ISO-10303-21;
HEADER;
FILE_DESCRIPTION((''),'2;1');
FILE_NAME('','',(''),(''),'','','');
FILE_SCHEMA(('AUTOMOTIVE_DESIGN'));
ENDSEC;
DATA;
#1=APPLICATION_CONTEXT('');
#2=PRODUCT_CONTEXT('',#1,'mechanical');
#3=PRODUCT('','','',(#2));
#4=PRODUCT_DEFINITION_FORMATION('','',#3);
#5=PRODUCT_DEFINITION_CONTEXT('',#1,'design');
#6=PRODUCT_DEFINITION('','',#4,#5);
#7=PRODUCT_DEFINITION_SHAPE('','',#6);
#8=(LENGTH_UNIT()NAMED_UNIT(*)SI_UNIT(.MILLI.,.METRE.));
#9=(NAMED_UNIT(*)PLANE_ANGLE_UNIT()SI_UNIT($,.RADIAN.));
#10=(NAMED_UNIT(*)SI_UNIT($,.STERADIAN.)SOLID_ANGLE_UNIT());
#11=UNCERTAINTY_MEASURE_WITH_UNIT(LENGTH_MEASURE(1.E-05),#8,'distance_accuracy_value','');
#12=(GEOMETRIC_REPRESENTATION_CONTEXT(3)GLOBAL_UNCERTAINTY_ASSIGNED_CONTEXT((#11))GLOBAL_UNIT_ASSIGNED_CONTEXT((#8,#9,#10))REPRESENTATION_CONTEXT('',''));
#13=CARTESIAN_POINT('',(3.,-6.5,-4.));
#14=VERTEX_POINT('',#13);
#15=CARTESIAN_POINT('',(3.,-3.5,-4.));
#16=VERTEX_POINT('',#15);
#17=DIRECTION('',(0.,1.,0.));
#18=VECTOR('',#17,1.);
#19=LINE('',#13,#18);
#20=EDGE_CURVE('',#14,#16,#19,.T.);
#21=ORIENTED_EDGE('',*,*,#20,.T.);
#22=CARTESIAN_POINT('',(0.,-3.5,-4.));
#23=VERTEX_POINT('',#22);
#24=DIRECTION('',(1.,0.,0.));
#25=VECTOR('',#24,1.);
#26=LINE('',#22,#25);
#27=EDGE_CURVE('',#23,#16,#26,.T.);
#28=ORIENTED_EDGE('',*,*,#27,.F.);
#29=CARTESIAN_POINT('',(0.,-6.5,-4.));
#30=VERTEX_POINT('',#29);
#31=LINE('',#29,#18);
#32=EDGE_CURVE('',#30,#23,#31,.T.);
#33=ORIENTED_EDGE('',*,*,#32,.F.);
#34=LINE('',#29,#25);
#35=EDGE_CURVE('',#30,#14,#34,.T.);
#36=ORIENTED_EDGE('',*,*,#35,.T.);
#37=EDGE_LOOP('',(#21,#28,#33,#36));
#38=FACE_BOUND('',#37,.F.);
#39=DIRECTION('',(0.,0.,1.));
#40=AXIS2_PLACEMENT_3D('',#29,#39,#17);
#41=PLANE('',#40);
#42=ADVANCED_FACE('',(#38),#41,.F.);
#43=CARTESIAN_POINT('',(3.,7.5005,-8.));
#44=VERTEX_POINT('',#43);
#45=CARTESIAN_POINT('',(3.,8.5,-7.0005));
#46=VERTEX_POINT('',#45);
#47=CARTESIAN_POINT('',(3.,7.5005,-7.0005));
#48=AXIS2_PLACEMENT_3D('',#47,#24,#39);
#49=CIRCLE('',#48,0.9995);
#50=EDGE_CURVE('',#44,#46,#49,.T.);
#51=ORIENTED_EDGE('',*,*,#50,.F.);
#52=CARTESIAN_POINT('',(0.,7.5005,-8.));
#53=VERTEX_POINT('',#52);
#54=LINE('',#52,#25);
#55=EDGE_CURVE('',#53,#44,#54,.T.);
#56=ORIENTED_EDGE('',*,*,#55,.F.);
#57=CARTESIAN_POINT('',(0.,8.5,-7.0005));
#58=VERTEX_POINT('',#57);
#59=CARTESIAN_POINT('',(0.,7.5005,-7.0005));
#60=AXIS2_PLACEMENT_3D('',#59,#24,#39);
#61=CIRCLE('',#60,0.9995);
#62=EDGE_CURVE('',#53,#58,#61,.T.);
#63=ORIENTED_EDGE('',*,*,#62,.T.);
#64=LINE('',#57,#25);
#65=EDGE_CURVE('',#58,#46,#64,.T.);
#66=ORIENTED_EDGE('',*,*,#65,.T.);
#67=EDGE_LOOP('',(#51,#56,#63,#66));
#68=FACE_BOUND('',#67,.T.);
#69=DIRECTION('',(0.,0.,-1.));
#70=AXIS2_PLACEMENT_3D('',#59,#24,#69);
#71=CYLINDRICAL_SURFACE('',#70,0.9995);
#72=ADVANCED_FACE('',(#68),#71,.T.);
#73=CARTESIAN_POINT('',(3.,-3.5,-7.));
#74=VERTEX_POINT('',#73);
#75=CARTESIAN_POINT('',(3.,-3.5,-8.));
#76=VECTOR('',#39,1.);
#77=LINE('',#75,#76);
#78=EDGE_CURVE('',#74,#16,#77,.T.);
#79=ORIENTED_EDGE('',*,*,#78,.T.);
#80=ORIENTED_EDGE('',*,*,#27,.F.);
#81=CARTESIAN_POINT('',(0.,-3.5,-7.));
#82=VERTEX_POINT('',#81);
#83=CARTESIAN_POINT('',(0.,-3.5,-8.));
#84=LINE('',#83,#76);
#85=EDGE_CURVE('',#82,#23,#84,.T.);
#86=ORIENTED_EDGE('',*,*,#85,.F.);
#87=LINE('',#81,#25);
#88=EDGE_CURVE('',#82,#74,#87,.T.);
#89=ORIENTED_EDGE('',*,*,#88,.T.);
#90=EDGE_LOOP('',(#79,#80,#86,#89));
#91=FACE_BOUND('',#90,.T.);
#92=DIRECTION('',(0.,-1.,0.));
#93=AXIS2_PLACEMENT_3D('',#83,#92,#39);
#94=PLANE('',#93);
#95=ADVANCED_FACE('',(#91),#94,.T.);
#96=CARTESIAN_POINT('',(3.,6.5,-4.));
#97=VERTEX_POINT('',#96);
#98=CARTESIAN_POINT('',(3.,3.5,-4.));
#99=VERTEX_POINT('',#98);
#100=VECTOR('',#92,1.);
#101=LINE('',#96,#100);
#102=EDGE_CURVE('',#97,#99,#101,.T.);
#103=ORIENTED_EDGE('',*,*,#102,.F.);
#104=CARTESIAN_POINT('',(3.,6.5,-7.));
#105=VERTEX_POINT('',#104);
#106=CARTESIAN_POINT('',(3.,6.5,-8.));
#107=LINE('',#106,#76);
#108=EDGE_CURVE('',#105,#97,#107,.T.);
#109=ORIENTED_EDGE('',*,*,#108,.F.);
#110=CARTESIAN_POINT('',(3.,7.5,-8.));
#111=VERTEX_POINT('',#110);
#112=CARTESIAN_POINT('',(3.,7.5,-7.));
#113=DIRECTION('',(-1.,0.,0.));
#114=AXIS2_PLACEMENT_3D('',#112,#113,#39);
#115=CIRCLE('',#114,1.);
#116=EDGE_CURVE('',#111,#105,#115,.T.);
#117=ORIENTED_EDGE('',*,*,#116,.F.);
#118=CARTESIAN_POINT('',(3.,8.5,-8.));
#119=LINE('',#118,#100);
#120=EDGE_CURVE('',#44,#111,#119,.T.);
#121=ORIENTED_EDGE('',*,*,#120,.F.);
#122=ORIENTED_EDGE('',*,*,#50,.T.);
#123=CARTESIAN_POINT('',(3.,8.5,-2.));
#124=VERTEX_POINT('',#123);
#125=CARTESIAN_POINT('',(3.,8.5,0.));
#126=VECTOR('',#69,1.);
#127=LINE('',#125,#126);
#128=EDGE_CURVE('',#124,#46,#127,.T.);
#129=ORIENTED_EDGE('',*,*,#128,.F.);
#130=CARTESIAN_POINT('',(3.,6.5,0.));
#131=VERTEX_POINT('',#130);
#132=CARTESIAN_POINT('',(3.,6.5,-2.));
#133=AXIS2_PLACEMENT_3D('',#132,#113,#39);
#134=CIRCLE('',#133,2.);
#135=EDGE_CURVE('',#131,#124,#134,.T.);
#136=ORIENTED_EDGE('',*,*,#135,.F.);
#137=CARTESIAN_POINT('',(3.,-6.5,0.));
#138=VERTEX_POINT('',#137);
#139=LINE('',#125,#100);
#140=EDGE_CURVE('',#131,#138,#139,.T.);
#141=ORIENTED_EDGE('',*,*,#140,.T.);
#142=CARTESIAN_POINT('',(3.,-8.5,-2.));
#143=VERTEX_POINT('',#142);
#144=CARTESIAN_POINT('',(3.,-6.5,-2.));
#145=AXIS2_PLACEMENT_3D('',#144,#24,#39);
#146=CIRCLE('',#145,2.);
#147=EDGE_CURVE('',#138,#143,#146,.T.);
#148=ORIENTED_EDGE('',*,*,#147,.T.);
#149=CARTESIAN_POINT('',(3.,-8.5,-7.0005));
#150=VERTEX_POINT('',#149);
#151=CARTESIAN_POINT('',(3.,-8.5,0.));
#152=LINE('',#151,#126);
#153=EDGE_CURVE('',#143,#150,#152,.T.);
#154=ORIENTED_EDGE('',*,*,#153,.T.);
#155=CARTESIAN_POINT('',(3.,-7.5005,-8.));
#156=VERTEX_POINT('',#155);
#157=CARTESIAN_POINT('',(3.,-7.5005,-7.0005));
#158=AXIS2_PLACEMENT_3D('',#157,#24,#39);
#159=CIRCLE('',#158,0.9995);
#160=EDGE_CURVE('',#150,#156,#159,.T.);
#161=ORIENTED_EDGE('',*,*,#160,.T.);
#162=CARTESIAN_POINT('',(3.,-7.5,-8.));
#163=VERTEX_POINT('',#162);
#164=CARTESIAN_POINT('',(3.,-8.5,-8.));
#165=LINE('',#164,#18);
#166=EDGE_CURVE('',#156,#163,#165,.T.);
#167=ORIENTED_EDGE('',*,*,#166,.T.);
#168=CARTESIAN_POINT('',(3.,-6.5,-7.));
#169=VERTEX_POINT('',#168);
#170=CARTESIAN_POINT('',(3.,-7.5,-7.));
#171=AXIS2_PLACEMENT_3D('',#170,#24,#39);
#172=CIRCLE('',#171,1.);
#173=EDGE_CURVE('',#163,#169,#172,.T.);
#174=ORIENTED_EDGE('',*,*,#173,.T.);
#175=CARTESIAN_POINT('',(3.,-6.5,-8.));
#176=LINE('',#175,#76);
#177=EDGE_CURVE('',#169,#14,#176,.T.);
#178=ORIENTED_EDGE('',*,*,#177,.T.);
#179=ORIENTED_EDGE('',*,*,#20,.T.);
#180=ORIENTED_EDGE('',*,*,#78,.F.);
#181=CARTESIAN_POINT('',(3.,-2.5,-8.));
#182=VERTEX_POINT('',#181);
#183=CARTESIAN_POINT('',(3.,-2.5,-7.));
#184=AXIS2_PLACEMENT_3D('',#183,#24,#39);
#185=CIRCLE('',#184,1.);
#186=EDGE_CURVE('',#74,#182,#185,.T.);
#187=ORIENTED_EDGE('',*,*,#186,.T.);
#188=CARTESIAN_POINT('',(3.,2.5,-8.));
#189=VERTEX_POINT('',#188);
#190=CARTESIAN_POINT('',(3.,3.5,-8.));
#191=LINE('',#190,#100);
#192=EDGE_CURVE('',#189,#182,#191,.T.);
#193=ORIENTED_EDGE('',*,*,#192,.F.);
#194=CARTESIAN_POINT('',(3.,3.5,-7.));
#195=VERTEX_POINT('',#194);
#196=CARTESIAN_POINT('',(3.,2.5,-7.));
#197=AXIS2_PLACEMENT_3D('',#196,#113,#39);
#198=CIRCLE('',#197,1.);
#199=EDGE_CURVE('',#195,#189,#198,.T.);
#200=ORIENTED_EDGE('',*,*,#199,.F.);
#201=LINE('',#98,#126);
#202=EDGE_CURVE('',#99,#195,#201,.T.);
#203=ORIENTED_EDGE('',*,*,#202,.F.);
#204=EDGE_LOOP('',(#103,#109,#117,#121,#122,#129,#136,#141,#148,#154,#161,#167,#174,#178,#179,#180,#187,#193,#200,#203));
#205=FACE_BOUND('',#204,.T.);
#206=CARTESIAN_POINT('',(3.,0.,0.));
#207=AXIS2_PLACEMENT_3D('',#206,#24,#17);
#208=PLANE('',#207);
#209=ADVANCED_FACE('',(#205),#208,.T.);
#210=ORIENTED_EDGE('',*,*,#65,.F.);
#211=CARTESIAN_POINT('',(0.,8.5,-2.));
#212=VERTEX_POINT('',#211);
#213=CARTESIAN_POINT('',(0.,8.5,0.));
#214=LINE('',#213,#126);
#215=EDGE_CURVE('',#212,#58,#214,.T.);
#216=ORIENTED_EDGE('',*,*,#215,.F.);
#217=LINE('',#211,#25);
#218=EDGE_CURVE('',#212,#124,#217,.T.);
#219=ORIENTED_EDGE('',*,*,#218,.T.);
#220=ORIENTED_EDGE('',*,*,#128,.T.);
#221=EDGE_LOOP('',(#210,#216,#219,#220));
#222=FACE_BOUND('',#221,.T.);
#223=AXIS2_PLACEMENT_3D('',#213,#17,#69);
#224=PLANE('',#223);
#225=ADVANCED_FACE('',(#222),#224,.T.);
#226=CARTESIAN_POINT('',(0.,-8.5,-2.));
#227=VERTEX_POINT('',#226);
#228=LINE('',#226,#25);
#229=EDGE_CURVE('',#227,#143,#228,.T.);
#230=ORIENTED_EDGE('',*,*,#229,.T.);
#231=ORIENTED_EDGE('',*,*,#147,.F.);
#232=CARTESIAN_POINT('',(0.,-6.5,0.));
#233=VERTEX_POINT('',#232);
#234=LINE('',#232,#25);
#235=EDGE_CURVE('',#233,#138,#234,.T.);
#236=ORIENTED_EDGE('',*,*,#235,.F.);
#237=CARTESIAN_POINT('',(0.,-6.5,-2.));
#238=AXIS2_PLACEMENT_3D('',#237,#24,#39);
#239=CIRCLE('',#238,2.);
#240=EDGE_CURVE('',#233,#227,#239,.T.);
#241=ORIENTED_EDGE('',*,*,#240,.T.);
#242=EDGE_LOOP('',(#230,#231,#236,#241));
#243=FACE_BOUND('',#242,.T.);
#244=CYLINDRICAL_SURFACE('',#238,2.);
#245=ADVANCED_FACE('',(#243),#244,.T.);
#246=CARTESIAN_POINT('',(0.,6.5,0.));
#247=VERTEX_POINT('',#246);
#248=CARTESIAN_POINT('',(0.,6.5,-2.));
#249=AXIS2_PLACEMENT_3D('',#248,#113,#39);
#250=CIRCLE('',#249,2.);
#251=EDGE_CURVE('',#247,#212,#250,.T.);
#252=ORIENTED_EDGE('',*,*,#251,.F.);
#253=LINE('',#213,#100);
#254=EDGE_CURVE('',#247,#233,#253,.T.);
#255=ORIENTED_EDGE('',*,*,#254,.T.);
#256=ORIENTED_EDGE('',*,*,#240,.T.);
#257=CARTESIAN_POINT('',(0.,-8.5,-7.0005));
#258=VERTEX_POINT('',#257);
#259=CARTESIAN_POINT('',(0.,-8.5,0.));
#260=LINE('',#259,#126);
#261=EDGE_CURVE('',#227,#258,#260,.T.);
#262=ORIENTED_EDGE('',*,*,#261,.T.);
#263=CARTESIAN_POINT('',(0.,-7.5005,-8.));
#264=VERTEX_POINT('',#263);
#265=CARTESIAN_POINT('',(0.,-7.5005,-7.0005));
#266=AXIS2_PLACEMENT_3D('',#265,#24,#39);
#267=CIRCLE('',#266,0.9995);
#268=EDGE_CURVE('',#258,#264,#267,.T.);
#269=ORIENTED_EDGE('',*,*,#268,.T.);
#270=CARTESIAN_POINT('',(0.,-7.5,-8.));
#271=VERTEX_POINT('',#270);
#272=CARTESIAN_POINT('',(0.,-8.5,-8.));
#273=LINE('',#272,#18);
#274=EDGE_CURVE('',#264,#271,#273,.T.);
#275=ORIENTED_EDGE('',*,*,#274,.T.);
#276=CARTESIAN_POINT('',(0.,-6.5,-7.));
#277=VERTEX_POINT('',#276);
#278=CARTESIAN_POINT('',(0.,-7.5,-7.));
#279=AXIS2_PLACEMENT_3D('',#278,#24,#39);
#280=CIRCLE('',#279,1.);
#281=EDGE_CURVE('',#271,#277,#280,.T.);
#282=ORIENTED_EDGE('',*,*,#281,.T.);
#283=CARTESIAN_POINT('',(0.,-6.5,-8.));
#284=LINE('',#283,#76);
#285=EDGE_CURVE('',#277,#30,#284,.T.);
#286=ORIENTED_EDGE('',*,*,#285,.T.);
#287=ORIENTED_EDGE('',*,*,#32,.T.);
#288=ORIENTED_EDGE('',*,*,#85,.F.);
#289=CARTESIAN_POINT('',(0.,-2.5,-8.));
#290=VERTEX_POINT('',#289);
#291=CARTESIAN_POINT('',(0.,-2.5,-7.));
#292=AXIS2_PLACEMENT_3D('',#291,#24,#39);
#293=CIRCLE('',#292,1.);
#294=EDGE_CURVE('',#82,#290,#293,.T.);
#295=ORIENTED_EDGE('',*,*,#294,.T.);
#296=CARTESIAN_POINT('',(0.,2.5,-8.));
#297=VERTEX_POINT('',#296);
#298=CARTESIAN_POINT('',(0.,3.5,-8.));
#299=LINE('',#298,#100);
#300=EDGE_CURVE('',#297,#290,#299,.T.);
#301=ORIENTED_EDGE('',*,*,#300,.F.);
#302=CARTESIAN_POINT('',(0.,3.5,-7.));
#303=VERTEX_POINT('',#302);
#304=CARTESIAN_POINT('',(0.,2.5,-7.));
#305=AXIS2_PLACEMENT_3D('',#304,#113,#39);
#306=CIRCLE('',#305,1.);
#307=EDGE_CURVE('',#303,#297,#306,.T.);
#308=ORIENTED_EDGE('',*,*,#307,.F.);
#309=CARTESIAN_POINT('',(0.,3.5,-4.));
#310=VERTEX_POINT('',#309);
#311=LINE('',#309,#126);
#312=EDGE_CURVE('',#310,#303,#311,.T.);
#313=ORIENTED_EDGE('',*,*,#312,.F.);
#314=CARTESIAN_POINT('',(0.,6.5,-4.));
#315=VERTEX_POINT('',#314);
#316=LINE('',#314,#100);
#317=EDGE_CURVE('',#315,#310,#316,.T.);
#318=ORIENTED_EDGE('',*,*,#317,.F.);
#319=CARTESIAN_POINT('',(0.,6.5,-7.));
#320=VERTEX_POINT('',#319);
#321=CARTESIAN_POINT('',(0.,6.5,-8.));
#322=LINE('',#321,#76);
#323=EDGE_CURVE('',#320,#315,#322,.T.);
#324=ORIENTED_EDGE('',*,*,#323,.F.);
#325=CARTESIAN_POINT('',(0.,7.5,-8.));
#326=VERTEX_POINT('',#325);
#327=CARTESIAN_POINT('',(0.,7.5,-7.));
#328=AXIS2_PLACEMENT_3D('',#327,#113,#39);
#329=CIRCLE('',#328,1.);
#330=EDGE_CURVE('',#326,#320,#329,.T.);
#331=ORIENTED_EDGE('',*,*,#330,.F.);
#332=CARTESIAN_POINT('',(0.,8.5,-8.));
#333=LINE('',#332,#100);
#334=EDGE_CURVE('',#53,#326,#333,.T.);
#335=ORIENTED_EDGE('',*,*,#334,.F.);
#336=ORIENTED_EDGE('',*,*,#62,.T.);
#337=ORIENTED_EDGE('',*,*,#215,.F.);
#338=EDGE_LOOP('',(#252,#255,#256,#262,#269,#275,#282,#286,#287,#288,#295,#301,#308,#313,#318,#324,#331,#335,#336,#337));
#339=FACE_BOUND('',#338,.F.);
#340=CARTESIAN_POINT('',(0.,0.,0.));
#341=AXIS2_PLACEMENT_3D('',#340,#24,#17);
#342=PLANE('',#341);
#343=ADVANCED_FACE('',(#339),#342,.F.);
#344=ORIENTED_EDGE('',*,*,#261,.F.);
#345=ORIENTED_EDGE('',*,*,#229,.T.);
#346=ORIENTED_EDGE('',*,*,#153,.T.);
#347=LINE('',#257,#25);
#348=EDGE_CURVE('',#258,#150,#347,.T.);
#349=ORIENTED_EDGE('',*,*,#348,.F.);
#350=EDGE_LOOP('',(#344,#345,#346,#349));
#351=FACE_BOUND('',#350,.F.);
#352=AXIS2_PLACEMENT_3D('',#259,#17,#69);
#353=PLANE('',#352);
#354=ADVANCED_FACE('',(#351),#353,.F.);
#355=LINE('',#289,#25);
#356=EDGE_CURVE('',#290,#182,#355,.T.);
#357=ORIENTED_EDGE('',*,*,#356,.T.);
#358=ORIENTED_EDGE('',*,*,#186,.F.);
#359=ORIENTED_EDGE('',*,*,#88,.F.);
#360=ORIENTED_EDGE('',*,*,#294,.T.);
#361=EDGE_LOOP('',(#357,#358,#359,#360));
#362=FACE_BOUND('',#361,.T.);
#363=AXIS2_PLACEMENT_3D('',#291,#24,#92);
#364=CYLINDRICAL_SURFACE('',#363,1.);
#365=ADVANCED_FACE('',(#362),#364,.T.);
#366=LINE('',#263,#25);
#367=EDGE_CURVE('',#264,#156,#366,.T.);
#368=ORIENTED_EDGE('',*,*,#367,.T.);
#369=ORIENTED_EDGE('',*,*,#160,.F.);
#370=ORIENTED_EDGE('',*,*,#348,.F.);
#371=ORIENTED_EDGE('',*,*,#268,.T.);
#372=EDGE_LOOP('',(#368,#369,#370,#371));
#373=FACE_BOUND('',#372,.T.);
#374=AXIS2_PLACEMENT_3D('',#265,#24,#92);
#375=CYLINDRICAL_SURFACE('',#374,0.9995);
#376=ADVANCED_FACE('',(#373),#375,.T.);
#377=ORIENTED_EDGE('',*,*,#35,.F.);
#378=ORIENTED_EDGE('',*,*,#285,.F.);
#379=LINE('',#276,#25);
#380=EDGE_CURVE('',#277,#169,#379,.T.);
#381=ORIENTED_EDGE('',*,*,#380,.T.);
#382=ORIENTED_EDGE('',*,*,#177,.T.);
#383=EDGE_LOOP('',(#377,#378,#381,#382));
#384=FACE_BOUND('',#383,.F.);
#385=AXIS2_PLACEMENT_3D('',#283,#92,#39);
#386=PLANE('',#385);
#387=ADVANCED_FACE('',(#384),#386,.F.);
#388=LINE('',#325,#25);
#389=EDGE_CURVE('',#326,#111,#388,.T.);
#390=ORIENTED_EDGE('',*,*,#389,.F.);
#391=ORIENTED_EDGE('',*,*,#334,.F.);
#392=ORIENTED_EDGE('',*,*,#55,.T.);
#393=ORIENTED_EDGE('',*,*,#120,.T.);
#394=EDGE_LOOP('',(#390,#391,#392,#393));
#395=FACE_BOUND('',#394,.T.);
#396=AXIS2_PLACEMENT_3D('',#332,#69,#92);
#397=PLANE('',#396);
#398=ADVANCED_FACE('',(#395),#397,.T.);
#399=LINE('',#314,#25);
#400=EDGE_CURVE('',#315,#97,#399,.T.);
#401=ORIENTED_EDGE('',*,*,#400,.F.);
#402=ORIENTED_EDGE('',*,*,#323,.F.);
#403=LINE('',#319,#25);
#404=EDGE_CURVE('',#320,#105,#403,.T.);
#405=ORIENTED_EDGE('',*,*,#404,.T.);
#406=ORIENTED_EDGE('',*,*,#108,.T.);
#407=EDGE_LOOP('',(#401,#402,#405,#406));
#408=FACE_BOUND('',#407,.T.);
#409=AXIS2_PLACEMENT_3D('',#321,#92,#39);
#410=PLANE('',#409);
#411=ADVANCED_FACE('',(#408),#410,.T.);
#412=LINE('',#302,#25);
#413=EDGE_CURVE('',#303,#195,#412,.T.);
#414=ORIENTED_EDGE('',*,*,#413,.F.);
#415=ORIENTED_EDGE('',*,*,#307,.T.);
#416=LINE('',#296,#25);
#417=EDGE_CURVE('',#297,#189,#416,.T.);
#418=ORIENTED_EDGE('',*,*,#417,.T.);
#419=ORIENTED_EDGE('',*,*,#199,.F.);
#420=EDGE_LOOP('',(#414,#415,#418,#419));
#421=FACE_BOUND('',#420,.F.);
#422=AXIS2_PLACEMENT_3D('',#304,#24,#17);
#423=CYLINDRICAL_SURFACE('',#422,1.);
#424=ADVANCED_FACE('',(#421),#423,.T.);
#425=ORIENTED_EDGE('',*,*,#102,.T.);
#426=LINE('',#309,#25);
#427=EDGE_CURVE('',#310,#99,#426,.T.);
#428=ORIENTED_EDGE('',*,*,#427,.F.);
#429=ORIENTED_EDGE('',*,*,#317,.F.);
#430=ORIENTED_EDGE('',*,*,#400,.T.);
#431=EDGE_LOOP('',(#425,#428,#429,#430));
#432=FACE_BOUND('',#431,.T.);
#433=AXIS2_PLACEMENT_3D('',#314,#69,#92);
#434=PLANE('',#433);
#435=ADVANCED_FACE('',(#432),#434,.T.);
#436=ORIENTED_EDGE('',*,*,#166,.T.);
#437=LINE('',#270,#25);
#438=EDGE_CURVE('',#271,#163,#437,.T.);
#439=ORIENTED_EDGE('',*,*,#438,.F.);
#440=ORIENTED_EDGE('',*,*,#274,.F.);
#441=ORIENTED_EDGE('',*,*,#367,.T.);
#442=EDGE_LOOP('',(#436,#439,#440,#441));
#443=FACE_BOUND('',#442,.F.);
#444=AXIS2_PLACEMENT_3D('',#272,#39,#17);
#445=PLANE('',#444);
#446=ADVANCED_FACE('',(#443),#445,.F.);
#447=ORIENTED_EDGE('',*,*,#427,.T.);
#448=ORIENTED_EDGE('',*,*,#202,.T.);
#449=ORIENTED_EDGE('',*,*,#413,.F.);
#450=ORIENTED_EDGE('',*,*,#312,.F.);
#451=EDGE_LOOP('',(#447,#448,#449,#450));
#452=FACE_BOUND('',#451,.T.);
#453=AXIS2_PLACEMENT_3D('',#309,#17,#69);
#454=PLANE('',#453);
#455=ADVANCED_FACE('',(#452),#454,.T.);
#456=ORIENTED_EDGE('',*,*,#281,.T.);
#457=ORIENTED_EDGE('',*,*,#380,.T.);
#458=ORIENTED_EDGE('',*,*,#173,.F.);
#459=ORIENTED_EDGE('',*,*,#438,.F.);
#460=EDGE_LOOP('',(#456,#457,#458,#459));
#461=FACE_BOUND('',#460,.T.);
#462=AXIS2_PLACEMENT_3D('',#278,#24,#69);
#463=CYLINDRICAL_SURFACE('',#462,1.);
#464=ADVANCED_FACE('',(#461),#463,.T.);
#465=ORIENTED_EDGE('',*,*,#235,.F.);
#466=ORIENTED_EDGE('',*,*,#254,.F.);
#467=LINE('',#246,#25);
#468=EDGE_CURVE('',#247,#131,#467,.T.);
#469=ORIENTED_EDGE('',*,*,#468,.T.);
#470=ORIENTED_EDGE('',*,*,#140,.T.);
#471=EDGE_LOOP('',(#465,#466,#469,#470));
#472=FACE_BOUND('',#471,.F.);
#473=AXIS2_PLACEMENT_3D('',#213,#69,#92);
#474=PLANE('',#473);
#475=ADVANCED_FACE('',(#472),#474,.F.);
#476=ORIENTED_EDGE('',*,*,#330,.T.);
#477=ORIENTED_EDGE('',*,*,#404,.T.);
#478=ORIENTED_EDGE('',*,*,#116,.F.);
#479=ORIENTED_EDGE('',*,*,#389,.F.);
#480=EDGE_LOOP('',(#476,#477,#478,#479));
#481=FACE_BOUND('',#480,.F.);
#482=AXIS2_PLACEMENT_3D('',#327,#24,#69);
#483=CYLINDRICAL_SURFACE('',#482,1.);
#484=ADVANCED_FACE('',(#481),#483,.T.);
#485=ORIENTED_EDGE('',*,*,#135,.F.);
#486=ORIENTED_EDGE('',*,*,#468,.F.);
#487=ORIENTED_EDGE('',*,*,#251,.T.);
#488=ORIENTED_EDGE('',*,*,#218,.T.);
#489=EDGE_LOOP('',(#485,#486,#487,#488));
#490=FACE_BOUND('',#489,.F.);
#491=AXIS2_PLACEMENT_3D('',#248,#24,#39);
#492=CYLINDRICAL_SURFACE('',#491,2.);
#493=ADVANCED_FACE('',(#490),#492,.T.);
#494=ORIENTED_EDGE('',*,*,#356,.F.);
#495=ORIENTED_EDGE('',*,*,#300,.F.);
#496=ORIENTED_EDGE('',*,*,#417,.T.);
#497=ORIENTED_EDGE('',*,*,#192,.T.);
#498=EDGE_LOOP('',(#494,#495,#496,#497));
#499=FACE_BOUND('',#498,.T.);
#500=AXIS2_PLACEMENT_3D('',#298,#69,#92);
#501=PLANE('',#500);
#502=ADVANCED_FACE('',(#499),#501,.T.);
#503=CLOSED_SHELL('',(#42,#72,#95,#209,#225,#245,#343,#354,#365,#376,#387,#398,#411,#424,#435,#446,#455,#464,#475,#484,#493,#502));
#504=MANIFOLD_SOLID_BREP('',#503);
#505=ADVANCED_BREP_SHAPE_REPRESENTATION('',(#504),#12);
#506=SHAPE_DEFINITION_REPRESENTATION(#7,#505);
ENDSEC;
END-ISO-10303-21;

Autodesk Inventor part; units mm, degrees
ref_plane "YZ Plane" through (0, 0, 0) normal (1, 0, 0) x (0, 1, 0)
ref_plane "XZ Plane" through (0, 0, 0) normal (0, 1, 0) x (-1, 0, 0)
ref_plane "XY Plane" through (0, 0, 0) normal (0, 0, 1) x (1, 0, 0)
sketch "草圖1" plane through (0, 0, 0) normal (1, 0, 0) x (0, 1, 0)
  line L0 (-8.5, 0) -> (-8.5, -8)
  line L1 (-8.5, -8) -> (-6.5, -8)
  line L2 (-6.5, -8) -> (-6.5, -4)
  line L3 (-6.5, -4) -> (-3.5, -4)
  line L4 (3.5, -4) -> (3.5, -8)
  line L5 (3.5, -8) -> (-3.5, -8)
  line L6 (8.5, 0) -> (8.5, -8)
  line L7 (8.5, -8) -> (6.5, -8)
  line L8 (6.5, -8) -> (6.5, -4)
  line L9 (6.5, -4) -> (3.5, -4)
  line L10 (8.5, 0) -> (-8.5, 0)
  line L11 (-3.5, -8) -> (-3.5, -4)
  point P0 (0, 0)
  point P1 (0, 0)
  point P2 (0, 0)
  dimension "d2" = 3
  dimension "d3" = 7
  dimension "d4" = 8
  dimension "d5" = 4
  dimension "d6" = 2
  dimension "d12" = 17
extrude "擠出1" add sketch "草圖1" along normal blind 3
fillet "圓角1" radius 2 2 edges at (1.5, 8.5, 0) (1.5, -8.5, 0)
fillet "圓角2" radius 1 4 edges at (1.5, 6.5, -8) (1.5, 3.5, -8) (1.5, -3.5, -8) (1.5, -6.5, -8)
fillet "圓角3" radius 1 2 edges at (1.5, 8.5, -8) (1.5, -8.5, -8)
properties part number "support" material "木材 (楓木)"
